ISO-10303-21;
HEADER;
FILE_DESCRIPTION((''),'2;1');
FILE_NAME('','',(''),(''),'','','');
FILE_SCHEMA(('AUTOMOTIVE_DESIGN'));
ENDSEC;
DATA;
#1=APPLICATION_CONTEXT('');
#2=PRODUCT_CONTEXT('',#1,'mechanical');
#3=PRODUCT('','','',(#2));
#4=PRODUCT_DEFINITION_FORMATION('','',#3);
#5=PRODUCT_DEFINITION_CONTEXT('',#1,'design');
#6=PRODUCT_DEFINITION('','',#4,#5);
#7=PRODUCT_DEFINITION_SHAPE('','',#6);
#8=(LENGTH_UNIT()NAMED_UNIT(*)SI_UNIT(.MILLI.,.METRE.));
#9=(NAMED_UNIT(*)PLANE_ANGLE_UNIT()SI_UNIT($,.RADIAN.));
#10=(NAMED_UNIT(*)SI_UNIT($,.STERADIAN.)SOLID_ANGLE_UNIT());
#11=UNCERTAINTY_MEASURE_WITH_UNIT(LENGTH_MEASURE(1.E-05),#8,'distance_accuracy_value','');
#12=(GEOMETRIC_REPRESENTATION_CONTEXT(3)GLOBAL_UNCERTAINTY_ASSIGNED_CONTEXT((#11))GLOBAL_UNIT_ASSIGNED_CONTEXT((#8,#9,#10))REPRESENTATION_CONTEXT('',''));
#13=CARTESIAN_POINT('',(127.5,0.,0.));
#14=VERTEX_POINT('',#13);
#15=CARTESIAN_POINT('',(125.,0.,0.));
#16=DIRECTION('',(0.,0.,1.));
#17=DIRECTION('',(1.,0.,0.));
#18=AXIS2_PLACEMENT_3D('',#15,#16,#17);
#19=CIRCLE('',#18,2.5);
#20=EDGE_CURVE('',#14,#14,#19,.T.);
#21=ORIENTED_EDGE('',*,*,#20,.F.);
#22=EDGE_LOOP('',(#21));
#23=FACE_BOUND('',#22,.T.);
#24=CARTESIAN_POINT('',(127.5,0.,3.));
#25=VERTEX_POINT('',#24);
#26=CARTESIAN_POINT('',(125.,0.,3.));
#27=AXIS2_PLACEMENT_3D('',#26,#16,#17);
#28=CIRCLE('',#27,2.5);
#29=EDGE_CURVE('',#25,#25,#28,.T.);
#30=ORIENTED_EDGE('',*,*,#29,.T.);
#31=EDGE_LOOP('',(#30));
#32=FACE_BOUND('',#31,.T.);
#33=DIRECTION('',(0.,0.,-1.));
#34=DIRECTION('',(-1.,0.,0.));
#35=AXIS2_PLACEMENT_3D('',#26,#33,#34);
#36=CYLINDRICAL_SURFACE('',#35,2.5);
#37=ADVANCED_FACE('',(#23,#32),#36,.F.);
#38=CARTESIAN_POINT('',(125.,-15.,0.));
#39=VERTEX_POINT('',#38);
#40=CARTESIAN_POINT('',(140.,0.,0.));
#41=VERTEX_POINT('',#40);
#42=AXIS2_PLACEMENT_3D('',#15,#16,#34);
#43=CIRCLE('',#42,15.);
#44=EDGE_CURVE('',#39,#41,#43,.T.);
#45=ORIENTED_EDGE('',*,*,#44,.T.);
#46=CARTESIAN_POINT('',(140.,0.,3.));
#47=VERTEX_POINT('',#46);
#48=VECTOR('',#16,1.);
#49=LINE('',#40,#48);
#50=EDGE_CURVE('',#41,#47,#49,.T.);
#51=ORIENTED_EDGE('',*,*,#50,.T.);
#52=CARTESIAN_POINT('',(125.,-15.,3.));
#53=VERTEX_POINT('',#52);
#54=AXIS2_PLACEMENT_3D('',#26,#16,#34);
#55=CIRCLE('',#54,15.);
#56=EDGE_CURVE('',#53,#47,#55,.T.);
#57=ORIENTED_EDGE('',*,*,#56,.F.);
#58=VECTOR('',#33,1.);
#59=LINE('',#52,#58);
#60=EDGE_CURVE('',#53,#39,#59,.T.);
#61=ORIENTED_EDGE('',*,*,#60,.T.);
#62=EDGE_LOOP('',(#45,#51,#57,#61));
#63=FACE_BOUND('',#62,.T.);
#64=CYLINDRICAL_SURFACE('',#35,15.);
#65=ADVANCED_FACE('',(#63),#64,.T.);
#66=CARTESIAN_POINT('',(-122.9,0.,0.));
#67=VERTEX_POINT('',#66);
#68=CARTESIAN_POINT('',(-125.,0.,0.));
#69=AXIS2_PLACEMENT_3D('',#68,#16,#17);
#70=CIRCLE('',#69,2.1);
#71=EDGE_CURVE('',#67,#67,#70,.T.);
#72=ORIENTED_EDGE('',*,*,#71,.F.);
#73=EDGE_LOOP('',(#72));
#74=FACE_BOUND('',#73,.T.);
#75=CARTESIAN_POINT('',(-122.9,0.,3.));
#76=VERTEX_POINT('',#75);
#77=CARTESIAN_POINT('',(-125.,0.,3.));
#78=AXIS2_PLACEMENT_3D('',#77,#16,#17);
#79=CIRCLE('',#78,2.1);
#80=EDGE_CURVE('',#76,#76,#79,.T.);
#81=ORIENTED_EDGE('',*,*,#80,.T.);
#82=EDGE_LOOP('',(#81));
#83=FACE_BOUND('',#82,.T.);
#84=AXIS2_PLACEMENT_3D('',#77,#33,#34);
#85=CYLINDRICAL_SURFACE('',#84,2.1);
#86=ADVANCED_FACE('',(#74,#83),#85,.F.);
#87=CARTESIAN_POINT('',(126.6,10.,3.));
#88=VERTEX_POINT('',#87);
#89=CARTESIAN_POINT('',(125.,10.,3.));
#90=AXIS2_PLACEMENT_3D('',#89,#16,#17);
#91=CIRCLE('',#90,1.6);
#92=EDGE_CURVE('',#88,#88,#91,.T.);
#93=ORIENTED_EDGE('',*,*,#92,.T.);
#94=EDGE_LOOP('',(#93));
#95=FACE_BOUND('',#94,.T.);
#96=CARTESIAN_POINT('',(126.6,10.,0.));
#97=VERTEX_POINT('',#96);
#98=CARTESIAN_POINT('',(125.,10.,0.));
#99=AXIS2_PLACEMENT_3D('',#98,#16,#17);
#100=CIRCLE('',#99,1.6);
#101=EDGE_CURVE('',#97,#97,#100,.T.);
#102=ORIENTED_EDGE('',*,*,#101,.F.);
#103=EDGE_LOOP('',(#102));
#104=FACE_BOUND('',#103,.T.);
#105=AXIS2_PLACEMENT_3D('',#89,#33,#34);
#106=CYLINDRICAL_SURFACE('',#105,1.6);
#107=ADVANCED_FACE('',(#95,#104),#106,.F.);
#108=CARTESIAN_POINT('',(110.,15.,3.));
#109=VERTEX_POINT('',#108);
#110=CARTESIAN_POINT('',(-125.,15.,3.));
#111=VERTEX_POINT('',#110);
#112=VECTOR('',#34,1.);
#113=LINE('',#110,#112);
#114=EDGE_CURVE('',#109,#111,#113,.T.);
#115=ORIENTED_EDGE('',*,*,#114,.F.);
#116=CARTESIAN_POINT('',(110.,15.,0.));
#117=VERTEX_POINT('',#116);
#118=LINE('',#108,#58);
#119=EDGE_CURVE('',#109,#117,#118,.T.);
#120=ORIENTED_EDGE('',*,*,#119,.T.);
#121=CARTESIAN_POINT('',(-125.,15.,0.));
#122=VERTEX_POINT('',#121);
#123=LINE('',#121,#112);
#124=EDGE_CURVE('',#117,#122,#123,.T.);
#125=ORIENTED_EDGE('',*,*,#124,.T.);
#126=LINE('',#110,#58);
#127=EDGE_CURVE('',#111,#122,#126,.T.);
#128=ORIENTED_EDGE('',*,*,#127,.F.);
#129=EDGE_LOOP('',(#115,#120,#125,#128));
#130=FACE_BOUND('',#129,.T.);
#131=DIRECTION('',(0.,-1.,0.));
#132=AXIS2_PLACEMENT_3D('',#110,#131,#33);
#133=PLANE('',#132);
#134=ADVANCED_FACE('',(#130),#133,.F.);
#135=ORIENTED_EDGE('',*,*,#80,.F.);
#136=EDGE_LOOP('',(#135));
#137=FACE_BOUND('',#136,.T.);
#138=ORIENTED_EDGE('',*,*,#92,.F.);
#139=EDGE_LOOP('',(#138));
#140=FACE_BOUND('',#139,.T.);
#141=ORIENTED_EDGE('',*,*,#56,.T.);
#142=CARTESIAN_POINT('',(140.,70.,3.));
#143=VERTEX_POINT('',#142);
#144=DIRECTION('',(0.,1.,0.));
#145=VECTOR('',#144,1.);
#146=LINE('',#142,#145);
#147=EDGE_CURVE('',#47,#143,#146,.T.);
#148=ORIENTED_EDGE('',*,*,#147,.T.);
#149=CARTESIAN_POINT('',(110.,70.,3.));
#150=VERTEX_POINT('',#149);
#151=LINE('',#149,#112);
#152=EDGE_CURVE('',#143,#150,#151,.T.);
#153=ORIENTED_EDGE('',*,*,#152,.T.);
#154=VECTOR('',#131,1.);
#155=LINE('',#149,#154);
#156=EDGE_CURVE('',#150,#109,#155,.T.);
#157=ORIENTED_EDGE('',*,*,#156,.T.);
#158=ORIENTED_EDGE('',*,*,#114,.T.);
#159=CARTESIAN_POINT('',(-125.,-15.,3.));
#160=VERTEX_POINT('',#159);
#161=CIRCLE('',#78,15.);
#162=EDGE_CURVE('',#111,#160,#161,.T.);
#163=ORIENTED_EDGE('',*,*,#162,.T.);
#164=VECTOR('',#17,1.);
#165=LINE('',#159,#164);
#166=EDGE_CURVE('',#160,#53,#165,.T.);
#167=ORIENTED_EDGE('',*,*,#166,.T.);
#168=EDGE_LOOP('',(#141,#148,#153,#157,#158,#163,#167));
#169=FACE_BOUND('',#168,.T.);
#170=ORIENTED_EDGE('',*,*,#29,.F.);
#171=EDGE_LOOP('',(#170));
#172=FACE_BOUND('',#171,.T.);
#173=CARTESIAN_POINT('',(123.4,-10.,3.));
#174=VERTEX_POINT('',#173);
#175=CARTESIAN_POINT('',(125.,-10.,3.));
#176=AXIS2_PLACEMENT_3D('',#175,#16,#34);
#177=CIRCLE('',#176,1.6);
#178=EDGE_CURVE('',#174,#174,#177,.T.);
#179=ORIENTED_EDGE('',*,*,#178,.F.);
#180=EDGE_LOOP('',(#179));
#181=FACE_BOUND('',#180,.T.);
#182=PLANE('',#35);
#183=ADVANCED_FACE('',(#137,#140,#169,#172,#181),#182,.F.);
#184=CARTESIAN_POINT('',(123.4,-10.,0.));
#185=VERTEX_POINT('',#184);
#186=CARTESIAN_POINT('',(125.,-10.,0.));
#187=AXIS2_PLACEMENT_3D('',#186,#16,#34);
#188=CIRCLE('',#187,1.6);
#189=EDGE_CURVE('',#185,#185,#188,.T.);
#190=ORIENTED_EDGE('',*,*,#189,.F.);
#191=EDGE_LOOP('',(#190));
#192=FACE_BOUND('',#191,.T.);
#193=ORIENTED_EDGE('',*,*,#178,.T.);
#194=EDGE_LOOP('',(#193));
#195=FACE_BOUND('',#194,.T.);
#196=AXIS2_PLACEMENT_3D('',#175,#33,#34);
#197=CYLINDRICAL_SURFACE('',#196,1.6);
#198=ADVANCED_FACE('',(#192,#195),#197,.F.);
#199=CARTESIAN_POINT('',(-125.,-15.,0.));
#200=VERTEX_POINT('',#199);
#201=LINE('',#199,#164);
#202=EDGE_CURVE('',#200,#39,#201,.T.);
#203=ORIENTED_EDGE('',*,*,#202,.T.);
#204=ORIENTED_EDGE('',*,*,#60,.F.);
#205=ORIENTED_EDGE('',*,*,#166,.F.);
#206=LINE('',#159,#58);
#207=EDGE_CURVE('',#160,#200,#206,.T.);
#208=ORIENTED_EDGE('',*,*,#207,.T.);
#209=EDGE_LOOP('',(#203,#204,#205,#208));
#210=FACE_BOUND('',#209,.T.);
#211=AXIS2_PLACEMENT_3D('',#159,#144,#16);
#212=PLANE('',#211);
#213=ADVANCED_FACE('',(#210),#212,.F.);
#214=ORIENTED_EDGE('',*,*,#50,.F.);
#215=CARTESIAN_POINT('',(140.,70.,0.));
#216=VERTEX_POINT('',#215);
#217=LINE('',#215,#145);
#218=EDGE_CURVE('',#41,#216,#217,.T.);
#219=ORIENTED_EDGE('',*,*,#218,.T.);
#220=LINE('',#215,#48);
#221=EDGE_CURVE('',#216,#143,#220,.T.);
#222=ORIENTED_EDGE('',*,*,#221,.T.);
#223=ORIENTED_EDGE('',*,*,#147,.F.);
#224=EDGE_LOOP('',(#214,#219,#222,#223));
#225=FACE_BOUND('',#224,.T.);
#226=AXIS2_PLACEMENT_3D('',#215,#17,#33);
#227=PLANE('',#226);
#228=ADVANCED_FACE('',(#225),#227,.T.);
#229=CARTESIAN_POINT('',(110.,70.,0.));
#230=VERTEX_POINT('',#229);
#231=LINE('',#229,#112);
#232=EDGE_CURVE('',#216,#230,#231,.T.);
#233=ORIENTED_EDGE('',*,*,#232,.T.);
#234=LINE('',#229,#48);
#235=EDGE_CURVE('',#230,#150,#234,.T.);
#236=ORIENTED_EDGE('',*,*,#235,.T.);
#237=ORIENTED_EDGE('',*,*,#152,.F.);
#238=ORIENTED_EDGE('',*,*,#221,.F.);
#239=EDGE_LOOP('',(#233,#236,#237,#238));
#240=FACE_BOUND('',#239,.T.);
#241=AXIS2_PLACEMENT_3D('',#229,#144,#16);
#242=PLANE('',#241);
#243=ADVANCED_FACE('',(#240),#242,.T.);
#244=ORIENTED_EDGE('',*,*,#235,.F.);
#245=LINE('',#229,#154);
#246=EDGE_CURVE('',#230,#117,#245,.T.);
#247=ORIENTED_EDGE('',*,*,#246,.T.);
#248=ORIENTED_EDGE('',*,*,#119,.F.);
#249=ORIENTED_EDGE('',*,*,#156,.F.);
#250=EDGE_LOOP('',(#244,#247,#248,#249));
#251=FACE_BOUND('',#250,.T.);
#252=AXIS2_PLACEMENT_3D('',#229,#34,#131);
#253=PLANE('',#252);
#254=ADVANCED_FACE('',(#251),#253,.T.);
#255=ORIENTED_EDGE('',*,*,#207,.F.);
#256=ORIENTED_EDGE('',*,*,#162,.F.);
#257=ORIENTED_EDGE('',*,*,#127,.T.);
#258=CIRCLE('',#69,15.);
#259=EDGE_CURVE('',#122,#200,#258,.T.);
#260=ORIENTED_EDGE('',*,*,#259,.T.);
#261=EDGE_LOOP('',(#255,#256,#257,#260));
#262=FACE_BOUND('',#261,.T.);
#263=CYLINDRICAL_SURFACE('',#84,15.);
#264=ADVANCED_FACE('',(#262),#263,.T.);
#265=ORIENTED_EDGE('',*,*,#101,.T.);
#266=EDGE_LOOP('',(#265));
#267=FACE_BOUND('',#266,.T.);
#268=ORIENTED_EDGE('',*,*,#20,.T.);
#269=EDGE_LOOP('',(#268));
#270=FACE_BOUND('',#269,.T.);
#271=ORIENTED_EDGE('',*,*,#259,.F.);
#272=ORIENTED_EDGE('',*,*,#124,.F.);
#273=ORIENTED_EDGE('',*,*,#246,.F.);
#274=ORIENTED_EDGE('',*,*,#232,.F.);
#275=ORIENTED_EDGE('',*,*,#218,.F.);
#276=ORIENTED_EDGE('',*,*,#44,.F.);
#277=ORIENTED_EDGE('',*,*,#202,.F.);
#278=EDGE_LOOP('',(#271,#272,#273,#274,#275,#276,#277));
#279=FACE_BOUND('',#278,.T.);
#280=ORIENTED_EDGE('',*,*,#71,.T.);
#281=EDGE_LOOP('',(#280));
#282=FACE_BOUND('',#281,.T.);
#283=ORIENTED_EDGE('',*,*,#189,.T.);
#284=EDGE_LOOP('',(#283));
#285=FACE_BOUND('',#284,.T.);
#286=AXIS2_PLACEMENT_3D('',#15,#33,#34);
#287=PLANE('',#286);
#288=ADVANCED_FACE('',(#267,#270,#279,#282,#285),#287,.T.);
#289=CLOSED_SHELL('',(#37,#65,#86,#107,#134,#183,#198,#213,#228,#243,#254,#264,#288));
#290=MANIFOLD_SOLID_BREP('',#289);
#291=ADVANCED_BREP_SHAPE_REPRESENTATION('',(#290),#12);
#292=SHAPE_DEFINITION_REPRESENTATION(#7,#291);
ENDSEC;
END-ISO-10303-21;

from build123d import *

# Parameters (mm, degrees)
ESQUISSE1_R        = 2.5
ESQUISSE1_R_2      = 2.1
ESQUISSE1_R_3      = 1.6
BOSS_EXTRU_1_DEPTH = 3
BOSS_EXTRU_2_START = -3
ESQUISSE2_R        = 1.6
BOSS_EXTRU_2_DEPTH = 3


with BuildPart() as part:
    # Esquisse1 → Boss.-Extru.1 (new body)
    with BuildSketch(Plane.XY):
        with BuildLine():
            Line((-125, 15), (125, 15))
            ThreePointArc((125, 15), (140, 0), (125, -15))
            Line((125, -15), (-125, -15))
            ThreePointArc((-125, -15), (-140, 0), (-125, 15))
        make_face()
        with Locations((125, 0)):
            Circle(ESQUISSE1_R, mode=Mode.SUBTRACT)
        with Locations((-125, 0)):
            Circle(ESQUISSE1_R_2, mode=Mode.SUBTRACT)
        with Locations((125, 10)):
            Circle(ESQUISSE1_R_3, mode=Mode.SUBTRACT)
        with Locations(Location((125, -10, 0), (0, 0, 180))):
            Circle(ESQUISSE1_R_3, mode=Mode.SUBTRACT)
    extrude(amount=BOSS_EXTRU_1_DEPTH)

    # Esquisse2 → Boss.-Extru.2 (add)
    with BuildSketch(Plane.XY.offset(3).offset(BOSS_EXTRU_2_START)):
        with BuildLine():
            Line((140, 70), (110, 70))
            Line((110, 70), (110, 0))
            Line((110, 0), (122.5, 0))
            ThreePointArc((122.5, 0), (125, 2.5), (127.5, 0))
            Line((127.5, 0), (140, 0))
            Line((140, 0), (140, 70))
        make_face()
        with Locations((125, 10)):
            Circle(ESQUISSE2_R, mode=Mode.SUBTRACT)
    extrude(amount=BOSS_EXTRU_2_DEPTH)


solid = part.part
